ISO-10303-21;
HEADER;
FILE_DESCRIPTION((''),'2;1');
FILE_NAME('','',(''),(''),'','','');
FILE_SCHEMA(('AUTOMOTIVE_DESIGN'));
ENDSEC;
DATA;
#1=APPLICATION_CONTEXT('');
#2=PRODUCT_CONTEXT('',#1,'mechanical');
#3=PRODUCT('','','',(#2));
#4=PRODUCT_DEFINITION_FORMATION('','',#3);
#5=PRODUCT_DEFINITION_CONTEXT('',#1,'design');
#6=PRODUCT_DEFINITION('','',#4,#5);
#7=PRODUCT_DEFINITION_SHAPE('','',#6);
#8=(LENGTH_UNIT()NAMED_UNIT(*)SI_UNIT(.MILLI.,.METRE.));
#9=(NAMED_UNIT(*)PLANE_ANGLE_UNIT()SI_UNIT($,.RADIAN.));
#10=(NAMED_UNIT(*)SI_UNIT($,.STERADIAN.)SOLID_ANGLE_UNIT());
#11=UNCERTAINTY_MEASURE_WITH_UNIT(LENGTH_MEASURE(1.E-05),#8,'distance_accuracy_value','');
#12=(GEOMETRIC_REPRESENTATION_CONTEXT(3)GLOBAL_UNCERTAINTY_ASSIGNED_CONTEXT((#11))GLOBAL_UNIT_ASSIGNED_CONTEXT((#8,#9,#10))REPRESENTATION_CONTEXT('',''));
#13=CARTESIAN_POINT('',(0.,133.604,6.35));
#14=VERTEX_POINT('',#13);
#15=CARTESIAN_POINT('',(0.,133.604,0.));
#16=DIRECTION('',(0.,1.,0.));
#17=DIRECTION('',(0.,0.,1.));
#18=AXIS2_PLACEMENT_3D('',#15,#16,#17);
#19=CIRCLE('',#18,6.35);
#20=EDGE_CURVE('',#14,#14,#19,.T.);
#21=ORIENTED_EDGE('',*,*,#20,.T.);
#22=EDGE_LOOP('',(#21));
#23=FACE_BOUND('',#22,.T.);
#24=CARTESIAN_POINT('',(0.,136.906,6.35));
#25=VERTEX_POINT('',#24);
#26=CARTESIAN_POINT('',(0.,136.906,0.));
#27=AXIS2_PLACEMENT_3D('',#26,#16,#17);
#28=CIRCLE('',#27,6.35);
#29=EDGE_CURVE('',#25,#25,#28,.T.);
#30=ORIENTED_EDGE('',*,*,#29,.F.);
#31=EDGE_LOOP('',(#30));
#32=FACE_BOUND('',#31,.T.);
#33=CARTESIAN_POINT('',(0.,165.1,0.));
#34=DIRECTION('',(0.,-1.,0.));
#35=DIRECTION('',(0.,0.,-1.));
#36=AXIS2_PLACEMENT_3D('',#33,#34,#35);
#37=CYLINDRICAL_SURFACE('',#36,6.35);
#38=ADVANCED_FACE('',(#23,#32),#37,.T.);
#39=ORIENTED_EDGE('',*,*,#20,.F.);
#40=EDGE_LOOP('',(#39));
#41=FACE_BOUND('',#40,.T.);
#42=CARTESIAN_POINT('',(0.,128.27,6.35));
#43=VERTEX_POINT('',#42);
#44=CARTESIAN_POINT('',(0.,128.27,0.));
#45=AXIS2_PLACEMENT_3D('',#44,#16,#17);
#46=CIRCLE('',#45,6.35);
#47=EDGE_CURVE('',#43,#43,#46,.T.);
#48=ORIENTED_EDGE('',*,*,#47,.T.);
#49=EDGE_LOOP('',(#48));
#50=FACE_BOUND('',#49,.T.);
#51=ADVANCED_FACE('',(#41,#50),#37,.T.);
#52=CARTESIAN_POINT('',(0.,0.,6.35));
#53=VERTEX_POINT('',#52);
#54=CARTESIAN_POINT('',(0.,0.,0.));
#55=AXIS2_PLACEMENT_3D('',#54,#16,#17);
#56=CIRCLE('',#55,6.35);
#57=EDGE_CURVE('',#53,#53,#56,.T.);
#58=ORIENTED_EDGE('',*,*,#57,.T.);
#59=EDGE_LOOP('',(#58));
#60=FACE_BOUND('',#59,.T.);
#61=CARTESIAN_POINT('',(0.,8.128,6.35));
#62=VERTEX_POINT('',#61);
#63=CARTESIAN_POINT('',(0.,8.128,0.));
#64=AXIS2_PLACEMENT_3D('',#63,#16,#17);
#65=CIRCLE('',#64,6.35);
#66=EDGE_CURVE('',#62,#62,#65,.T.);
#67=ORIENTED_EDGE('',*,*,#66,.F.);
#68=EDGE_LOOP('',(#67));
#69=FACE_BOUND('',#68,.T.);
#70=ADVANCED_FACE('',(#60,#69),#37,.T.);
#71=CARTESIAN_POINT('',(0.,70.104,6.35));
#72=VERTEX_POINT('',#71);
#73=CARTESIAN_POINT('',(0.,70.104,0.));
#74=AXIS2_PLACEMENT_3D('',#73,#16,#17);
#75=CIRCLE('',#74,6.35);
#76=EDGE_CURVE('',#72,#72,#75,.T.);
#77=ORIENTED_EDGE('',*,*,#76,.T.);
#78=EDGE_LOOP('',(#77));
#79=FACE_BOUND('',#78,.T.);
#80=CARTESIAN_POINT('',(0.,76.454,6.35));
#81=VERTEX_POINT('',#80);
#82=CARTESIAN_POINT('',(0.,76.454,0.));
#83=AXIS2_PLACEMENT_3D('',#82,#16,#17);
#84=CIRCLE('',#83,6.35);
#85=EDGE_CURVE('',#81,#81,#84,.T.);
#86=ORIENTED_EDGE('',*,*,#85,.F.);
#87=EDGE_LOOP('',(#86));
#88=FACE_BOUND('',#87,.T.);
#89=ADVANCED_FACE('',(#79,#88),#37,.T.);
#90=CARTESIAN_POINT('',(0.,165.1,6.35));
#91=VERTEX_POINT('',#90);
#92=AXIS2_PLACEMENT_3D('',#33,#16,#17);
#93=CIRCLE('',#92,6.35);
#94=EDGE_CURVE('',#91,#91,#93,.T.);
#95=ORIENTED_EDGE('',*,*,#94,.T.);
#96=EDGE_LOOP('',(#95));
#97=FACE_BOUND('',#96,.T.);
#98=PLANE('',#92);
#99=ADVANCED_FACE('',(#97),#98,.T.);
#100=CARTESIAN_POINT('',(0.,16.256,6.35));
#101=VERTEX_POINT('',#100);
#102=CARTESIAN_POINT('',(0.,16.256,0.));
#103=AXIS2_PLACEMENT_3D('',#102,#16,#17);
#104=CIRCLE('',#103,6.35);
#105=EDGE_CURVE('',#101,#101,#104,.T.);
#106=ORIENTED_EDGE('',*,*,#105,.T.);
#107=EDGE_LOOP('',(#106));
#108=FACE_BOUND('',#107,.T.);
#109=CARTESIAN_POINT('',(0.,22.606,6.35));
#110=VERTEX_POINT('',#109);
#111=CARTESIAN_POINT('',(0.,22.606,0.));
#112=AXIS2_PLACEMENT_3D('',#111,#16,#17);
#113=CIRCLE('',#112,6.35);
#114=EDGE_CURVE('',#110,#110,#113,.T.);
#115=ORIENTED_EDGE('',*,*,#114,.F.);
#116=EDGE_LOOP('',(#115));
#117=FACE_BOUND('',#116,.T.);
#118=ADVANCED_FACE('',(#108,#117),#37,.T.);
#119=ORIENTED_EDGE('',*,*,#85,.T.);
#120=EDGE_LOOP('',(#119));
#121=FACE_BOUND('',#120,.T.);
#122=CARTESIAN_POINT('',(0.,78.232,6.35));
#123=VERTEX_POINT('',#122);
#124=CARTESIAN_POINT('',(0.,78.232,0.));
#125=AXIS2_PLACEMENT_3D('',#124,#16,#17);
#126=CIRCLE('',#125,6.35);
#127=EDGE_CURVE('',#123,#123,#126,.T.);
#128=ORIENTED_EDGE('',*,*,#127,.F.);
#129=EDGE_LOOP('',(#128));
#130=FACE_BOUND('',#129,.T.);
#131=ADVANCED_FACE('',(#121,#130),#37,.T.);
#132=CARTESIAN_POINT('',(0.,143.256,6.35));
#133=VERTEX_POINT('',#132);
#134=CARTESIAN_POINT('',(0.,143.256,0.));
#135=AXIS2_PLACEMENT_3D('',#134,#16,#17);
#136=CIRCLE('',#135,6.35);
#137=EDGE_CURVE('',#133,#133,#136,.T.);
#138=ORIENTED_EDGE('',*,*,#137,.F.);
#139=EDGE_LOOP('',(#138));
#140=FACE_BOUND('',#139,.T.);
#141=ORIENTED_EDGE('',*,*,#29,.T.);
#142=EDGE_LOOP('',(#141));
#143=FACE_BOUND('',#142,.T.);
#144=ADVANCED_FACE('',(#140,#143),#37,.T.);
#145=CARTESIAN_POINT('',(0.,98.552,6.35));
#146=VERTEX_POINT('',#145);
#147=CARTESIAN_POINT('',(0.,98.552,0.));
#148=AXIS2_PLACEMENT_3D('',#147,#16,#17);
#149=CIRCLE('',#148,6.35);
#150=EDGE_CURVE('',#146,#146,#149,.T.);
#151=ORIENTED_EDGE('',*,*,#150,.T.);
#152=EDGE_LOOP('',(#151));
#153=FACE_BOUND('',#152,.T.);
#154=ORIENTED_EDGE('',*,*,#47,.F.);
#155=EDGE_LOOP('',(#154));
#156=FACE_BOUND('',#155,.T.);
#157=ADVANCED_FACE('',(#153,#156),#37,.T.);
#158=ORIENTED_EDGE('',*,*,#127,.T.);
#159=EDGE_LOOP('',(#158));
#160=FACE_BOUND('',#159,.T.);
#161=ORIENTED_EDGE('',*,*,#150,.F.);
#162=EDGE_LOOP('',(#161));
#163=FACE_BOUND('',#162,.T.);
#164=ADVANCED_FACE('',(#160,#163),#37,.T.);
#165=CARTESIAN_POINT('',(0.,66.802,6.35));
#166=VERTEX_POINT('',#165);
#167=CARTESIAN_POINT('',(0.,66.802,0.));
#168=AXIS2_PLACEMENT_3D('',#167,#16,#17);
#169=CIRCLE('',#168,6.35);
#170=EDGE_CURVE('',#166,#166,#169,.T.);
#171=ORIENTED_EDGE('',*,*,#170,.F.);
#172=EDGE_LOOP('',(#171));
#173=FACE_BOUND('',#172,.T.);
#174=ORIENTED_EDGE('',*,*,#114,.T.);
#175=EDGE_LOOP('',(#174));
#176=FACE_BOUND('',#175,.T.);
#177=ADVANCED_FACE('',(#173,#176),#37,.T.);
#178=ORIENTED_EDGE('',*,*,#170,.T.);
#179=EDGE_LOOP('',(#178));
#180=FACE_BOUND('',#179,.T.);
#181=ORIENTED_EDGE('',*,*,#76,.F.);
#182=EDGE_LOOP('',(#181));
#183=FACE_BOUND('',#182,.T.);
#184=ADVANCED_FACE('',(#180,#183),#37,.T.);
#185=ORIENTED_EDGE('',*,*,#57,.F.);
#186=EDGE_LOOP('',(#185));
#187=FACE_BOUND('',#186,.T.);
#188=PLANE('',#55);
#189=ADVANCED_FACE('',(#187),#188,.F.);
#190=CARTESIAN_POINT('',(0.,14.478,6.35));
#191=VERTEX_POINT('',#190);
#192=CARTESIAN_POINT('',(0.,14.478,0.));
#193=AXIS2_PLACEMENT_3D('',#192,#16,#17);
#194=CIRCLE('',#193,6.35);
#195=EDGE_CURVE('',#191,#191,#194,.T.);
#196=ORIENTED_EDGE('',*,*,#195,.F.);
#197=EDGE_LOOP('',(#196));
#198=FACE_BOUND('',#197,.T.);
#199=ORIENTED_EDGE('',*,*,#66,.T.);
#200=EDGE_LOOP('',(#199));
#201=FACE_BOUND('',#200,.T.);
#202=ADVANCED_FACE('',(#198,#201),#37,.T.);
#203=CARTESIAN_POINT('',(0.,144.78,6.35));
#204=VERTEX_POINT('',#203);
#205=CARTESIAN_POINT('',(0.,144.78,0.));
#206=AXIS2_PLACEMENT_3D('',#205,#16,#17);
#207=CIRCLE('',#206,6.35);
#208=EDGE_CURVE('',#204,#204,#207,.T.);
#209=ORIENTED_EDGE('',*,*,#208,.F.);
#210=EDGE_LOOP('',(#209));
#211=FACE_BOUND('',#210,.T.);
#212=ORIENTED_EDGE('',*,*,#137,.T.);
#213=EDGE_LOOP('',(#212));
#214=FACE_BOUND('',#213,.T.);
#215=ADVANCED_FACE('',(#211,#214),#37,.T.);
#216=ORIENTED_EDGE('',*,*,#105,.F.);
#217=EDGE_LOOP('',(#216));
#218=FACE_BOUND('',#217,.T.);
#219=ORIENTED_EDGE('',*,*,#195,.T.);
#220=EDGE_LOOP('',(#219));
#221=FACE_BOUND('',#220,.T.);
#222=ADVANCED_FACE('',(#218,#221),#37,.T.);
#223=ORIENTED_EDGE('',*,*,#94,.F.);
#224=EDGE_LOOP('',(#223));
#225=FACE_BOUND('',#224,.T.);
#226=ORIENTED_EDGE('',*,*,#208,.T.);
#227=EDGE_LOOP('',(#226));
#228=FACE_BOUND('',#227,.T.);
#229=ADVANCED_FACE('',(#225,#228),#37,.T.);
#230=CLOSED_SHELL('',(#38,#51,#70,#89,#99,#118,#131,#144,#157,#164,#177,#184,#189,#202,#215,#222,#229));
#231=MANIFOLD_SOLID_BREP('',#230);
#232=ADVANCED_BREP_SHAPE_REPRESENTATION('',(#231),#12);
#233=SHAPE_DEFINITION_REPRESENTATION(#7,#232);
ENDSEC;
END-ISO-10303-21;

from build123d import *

# Parameters (mm, degrees)
SKETCH1_R           = 6.35
BOSS_EXTRUDE1_DEPTH = 165.1


with BuildPart() as part:
    # Sketch1 → Boss-Extrude1 (new body)
    with BuildSketch(Plane(origin=(0, 0, 0), x_dir=(1, 0, 0), z_dir=(0, 1, 0))):
        with Locations(Location((0, 0, 0), (0, 0, 270))):
            Circle(SKETCH1_R)
    extrude(amount=BOSS_EXTRUDE1_DEPTH)


solid = part.part
